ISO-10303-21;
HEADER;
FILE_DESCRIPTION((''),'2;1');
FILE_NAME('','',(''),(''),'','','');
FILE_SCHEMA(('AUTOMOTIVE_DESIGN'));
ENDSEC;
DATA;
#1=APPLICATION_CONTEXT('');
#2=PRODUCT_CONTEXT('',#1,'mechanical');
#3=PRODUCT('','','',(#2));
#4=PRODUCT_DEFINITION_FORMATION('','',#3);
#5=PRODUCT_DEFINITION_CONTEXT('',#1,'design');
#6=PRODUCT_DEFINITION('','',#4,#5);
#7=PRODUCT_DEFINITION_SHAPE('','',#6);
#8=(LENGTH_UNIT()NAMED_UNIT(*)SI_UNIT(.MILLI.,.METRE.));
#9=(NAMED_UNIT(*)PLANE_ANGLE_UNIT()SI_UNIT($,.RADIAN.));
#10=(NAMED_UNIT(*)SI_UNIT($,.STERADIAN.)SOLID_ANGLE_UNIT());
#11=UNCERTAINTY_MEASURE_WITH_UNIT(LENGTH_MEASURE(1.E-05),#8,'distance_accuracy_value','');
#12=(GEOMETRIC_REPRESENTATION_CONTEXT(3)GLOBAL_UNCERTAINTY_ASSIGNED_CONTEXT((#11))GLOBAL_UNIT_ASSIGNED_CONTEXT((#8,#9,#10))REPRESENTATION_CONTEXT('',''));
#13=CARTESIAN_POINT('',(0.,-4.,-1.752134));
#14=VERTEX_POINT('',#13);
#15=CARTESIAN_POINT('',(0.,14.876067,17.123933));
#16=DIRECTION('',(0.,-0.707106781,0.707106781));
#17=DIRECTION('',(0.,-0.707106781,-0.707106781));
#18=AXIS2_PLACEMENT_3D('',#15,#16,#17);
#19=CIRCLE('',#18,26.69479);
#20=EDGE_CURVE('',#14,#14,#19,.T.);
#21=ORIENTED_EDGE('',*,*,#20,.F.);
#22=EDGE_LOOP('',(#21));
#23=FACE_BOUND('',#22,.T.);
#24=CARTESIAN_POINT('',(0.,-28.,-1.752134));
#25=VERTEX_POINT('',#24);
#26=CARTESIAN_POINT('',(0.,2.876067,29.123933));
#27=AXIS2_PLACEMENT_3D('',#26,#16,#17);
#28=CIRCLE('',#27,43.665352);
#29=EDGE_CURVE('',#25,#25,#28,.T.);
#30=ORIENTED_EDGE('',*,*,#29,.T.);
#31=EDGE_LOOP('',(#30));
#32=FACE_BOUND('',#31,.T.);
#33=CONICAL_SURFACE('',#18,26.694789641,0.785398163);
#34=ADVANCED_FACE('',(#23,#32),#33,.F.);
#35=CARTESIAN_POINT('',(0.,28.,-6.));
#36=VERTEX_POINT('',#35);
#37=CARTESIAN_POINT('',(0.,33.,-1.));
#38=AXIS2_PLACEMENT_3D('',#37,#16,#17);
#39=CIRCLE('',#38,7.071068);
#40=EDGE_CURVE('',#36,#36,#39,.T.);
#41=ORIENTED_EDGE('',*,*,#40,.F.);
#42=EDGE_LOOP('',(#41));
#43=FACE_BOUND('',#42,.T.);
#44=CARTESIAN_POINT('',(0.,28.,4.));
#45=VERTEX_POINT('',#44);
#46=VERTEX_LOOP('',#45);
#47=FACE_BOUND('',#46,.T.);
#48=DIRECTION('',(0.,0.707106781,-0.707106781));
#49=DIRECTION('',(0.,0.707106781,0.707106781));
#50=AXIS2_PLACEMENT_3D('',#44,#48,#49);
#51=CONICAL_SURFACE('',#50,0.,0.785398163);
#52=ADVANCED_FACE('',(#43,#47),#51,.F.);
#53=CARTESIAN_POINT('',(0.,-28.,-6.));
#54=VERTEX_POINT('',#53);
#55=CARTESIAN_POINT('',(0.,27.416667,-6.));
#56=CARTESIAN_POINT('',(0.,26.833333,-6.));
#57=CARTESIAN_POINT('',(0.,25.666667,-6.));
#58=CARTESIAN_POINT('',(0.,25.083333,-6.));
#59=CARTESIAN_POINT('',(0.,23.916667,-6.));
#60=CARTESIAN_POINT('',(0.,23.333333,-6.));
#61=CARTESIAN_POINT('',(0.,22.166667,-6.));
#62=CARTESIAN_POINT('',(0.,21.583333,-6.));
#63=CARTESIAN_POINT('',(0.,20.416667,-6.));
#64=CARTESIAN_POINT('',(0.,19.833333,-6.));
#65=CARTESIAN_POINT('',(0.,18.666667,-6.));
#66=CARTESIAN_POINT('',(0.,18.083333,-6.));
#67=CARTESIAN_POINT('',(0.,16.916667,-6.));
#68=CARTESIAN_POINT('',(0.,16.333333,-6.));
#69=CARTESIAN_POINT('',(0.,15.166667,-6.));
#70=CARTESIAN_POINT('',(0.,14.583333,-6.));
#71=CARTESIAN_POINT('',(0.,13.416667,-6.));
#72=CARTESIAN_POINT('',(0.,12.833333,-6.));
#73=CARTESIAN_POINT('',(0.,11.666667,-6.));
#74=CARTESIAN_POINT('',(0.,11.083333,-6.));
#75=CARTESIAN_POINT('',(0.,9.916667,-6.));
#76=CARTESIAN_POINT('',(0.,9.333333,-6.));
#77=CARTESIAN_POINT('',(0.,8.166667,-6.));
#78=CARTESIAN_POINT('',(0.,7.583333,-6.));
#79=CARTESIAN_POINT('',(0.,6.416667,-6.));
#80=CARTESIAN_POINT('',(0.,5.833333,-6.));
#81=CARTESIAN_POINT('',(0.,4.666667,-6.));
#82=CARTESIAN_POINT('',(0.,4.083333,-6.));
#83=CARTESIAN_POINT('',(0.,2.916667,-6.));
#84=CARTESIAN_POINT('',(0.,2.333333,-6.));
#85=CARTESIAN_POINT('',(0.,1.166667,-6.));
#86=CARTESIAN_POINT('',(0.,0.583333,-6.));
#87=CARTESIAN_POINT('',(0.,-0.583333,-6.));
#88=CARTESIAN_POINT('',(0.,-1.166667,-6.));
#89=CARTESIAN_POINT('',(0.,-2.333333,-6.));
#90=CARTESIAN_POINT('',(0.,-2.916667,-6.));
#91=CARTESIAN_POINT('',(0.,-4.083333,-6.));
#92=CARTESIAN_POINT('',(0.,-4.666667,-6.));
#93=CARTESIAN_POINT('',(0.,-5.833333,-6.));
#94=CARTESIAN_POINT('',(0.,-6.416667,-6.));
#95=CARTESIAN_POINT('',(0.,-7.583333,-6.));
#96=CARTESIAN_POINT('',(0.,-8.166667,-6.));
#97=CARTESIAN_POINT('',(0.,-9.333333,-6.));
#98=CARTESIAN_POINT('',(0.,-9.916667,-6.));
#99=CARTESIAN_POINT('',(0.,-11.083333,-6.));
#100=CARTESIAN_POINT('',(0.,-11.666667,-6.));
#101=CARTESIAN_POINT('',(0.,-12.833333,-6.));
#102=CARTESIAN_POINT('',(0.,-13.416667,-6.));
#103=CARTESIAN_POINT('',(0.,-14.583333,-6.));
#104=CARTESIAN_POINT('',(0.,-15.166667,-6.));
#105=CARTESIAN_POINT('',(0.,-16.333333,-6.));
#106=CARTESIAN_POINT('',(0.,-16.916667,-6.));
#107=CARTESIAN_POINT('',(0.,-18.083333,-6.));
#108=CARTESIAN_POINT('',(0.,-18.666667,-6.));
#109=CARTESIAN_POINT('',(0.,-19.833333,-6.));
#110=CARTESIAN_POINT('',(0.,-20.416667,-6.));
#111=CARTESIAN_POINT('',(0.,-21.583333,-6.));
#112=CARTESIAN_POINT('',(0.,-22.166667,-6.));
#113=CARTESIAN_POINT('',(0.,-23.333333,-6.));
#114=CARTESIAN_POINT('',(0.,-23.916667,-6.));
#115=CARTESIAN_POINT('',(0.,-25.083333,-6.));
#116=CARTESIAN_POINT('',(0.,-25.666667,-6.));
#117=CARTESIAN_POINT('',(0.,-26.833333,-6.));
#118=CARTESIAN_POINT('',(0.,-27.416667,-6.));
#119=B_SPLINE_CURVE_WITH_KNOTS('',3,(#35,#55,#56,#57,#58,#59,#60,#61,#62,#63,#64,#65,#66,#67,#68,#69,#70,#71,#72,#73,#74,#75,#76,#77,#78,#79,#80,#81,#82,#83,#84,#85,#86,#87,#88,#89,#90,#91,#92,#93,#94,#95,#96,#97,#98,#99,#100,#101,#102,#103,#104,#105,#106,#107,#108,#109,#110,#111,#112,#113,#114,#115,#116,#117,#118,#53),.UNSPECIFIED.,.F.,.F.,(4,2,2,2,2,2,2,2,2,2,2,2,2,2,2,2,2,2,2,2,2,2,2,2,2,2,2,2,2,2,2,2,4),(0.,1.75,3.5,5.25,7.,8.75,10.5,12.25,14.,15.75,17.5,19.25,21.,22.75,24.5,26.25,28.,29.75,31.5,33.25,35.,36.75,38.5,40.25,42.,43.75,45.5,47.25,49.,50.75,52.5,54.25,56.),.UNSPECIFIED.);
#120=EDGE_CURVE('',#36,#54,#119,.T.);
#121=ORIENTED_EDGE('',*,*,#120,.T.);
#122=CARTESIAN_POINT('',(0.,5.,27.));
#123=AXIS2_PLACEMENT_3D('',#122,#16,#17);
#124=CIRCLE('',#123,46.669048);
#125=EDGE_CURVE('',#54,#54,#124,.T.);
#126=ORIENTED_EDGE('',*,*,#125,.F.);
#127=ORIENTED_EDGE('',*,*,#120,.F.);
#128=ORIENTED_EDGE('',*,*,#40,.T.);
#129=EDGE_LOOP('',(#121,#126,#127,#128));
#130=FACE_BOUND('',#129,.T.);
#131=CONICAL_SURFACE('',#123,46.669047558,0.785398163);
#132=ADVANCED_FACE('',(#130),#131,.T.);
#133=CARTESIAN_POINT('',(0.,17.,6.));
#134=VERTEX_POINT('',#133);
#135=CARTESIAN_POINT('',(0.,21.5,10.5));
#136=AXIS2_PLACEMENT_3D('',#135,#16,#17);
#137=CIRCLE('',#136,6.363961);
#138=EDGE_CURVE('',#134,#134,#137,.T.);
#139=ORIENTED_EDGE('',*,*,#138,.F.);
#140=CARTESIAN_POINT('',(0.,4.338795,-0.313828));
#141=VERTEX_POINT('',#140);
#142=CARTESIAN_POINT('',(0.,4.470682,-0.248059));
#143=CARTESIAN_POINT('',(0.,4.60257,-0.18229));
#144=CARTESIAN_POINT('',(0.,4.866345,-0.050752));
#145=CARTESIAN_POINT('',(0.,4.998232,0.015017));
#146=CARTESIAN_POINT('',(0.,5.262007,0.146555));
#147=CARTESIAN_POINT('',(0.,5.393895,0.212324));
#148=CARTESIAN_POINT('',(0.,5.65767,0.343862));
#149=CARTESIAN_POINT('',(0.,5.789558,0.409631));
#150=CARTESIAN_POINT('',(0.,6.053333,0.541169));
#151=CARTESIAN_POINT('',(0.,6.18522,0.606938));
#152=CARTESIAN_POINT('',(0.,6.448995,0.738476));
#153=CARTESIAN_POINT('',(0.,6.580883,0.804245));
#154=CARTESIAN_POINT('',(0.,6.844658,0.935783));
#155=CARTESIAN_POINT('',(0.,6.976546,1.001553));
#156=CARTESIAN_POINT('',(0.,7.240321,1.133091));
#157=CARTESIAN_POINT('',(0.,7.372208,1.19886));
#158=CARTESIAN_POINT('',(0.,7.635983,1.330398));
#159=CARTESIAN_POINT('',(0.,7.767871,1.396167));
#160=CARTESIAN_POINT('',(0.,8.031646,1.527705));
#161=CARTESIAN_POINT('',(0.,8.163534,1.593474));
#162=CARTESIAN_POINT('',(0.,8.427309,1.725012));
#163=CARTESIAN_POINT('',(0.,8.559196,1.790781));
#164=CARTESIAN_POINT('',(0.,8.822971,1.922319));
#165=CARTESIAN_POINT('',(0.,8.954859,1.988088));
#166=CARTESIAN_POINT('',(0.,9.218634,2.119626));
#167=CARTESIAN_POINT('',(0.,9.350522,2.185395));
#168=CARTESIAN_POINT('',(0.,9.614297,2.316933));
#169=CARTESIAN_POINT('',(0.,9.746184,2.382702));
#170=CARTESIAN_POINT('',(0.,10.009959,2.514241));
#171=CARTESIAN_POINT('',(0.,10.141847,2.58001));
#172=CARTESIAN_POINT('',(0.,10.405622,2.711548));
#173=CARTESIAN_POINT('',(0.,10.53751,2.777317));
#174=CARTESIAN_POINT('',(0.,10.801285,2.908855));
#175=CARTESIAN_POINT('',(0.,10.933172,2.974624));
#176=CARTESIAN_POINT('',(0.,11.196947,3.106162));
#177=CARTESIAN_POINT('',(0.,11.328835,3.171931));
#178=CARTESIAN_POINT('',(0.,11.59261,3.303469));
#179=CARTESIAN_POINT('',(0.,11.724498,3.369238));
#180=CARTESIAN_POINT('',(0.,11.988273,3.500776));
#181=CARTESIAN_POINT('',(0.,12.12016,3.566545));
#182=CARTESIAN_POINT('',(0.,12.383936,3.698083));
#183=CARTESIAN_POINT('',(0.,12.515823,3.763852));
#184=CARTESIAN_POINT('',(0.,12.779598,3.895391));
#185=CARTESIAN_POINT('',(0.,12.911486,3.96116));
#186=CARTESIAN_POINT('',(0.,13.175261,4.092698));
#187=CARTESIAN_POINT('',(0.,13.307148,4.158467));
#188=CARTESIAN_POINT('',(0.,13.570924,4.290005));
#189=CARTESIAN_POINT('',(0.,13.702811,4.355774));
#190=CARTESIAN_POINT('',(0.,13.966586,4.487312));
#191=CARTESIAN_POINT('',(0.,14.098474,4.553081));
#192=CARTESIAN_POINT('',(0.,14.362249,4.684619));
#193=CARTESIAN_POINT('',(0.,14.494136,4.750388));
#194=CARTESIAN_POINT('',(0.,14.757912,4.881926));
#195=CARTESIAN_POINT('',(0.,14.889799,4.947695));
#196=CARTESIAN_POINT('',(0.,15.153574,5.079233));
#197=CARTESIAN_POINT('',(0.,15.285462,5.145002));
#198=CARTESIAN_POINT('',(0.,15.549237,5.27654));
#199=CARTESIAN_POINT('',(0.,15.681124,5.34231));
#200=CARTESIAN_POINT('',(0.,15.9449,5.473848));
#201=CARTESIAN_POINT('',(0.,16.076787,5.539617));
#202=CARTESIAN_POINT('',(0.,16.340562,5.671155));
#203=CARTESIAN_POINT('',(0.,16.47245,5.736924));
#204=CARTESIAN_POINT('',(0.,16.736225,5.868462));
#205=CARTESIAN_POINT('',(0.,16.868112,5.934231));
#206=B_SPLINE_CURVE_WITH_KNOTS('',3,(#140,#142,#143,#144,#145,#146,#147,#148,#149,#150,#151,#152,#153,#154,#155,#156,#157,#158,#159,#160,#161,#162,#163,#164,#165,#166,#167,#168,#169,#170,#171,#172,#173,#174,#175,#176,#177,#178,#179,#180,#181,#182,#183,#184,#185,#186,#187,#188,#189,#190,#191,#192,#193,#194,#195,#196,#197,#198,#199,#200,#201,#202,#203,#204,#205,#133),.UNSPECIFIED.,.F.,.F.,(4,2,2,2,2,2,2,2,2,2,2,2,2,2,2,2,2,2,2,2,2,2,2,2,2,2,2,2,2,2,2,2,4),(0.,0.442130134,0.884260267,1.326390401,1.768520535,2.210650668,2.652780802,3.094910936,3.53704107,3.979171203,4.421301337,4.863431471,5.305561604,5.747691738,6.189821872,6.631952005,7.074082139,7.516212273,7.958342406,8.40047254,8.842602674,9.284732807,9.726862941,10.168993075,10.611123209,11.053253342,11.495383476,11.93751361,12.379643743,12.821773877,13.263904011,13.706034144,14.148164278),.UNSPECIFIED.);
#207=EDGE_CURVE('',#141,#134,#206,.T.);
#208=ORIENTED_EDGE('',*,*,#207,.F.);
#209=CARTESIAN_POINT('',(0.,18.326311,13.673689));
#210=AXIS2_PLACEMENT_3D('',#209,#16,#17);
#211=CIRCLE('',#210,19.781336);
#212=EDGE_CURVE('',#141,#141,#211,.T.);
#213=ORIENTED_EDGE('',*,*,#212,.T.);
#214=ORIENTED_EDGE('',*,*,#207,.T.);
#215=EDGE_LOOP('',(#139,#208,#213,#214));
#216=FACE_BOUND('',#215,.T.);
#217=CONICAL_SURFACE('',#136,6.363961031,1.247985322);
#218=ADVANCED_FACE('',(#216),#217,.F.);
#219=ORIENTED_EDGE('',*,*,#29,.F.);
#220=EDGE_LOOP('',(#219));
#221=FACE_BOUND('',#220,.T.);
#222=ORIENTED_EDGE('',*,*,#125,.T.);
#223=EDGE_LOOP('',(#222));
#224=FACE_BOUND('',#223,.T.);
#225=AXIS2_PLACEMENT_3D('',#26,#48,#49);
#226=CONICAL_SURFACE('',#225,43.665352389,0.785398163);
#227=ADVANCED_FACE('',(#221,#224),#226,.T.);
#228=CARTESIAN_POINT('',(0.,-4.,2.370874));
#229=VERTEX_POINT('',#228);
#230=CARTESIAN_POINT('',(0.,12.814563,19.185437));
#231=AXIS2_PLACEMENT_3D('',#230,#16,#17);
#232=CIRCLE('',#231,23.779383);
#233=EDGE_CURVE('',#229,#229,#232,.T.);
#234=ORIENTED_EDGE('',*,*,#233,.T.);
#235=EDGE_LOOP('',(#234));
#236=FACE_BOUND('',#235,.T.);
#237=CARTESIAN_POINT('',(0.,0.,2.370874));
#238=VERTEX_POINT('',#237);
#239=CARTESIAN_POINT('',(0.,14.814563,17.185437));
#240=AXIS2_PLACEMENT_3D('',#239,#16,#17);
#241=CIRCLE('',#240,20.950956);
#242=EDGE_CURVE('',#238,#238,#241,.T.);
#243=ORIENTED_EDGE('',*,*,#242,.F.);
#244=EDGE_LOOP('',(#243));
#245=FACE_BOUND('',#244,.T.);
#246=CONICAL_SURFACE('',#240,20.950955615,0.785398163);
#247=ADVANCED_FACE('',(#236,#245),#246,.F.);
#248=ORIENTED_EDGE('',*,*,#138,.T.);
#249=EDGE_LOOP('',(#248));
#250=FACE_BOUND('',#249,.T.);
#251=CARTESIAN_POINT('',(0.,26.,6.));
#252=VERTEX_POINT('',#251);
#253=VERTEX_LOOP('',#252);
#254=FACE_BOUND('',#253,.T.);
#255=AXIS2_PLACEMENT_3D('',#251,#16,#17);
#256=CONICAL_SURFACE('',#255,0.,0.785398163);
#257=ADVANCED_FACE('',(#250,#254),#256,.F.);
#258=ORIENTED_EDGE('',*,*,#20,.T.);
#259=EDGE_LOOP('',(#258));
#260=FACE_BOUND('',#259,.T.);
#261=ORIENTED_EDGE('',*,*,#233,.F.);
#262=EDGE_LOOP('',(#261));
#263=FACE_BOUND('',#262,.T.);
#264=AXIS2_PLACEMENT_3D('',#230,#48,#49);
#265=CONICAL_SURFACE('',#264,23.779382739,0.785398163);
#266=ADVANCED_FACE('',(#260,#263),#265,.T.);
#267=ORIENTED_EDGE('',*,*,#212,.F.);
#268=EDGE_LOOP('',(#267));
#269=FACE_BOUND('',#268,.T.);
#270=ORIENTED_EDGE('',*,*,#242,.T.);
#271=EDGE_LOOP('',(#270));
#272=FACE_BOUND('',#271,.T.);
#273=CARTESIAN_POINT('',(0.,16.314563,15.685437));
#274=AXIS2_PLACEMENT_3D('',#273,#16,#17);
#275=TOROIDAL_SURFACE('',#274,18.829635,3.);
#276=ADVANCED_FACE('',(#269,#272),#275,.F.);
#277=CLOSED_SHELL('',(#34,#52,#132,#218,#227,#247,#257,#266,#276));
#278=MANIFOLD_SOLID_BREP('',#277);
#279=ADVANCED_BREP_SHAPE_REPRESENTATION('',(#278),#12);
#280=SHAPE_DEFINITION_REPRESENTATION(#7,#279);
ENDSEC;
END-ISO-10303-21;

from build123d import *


with BuildPart() as part:
    # Esboço5 → Revolução1 (revolve)
    with BuildSketch(Plane(origin=(0, 0, 0), x_dir=(0, 0, -1), z_dir=(1, 0, 0))):
        with BuildLine():
            Line((-4, 28), (6, 28))
            Line((6, 28), (6, -28))
            Line((6, -28), (1.752133554, -28))
            Line((1.752133554, -28), (1.752133554, -4))
            Line((1.752133554, -4), (-2.370874425, -4))
            Line((-2.370874425, -4), (-2.370874425, 0))
            ThreePointArc((-2.370874425, 0), (0.180241373, 1.421453775), (0.313828383, 4.338794544))
            Line((0.313828383, 4.338794544), (-6, 17))
            Line((-6, 17), (-6, 26))
            Line((-6, 26), (-4, 28))
        make_face()
    revolve(axis=Axis((0, 28, 4), (0, -0.7071067811865436, 0.7071067811865516)))


solid = part.part
